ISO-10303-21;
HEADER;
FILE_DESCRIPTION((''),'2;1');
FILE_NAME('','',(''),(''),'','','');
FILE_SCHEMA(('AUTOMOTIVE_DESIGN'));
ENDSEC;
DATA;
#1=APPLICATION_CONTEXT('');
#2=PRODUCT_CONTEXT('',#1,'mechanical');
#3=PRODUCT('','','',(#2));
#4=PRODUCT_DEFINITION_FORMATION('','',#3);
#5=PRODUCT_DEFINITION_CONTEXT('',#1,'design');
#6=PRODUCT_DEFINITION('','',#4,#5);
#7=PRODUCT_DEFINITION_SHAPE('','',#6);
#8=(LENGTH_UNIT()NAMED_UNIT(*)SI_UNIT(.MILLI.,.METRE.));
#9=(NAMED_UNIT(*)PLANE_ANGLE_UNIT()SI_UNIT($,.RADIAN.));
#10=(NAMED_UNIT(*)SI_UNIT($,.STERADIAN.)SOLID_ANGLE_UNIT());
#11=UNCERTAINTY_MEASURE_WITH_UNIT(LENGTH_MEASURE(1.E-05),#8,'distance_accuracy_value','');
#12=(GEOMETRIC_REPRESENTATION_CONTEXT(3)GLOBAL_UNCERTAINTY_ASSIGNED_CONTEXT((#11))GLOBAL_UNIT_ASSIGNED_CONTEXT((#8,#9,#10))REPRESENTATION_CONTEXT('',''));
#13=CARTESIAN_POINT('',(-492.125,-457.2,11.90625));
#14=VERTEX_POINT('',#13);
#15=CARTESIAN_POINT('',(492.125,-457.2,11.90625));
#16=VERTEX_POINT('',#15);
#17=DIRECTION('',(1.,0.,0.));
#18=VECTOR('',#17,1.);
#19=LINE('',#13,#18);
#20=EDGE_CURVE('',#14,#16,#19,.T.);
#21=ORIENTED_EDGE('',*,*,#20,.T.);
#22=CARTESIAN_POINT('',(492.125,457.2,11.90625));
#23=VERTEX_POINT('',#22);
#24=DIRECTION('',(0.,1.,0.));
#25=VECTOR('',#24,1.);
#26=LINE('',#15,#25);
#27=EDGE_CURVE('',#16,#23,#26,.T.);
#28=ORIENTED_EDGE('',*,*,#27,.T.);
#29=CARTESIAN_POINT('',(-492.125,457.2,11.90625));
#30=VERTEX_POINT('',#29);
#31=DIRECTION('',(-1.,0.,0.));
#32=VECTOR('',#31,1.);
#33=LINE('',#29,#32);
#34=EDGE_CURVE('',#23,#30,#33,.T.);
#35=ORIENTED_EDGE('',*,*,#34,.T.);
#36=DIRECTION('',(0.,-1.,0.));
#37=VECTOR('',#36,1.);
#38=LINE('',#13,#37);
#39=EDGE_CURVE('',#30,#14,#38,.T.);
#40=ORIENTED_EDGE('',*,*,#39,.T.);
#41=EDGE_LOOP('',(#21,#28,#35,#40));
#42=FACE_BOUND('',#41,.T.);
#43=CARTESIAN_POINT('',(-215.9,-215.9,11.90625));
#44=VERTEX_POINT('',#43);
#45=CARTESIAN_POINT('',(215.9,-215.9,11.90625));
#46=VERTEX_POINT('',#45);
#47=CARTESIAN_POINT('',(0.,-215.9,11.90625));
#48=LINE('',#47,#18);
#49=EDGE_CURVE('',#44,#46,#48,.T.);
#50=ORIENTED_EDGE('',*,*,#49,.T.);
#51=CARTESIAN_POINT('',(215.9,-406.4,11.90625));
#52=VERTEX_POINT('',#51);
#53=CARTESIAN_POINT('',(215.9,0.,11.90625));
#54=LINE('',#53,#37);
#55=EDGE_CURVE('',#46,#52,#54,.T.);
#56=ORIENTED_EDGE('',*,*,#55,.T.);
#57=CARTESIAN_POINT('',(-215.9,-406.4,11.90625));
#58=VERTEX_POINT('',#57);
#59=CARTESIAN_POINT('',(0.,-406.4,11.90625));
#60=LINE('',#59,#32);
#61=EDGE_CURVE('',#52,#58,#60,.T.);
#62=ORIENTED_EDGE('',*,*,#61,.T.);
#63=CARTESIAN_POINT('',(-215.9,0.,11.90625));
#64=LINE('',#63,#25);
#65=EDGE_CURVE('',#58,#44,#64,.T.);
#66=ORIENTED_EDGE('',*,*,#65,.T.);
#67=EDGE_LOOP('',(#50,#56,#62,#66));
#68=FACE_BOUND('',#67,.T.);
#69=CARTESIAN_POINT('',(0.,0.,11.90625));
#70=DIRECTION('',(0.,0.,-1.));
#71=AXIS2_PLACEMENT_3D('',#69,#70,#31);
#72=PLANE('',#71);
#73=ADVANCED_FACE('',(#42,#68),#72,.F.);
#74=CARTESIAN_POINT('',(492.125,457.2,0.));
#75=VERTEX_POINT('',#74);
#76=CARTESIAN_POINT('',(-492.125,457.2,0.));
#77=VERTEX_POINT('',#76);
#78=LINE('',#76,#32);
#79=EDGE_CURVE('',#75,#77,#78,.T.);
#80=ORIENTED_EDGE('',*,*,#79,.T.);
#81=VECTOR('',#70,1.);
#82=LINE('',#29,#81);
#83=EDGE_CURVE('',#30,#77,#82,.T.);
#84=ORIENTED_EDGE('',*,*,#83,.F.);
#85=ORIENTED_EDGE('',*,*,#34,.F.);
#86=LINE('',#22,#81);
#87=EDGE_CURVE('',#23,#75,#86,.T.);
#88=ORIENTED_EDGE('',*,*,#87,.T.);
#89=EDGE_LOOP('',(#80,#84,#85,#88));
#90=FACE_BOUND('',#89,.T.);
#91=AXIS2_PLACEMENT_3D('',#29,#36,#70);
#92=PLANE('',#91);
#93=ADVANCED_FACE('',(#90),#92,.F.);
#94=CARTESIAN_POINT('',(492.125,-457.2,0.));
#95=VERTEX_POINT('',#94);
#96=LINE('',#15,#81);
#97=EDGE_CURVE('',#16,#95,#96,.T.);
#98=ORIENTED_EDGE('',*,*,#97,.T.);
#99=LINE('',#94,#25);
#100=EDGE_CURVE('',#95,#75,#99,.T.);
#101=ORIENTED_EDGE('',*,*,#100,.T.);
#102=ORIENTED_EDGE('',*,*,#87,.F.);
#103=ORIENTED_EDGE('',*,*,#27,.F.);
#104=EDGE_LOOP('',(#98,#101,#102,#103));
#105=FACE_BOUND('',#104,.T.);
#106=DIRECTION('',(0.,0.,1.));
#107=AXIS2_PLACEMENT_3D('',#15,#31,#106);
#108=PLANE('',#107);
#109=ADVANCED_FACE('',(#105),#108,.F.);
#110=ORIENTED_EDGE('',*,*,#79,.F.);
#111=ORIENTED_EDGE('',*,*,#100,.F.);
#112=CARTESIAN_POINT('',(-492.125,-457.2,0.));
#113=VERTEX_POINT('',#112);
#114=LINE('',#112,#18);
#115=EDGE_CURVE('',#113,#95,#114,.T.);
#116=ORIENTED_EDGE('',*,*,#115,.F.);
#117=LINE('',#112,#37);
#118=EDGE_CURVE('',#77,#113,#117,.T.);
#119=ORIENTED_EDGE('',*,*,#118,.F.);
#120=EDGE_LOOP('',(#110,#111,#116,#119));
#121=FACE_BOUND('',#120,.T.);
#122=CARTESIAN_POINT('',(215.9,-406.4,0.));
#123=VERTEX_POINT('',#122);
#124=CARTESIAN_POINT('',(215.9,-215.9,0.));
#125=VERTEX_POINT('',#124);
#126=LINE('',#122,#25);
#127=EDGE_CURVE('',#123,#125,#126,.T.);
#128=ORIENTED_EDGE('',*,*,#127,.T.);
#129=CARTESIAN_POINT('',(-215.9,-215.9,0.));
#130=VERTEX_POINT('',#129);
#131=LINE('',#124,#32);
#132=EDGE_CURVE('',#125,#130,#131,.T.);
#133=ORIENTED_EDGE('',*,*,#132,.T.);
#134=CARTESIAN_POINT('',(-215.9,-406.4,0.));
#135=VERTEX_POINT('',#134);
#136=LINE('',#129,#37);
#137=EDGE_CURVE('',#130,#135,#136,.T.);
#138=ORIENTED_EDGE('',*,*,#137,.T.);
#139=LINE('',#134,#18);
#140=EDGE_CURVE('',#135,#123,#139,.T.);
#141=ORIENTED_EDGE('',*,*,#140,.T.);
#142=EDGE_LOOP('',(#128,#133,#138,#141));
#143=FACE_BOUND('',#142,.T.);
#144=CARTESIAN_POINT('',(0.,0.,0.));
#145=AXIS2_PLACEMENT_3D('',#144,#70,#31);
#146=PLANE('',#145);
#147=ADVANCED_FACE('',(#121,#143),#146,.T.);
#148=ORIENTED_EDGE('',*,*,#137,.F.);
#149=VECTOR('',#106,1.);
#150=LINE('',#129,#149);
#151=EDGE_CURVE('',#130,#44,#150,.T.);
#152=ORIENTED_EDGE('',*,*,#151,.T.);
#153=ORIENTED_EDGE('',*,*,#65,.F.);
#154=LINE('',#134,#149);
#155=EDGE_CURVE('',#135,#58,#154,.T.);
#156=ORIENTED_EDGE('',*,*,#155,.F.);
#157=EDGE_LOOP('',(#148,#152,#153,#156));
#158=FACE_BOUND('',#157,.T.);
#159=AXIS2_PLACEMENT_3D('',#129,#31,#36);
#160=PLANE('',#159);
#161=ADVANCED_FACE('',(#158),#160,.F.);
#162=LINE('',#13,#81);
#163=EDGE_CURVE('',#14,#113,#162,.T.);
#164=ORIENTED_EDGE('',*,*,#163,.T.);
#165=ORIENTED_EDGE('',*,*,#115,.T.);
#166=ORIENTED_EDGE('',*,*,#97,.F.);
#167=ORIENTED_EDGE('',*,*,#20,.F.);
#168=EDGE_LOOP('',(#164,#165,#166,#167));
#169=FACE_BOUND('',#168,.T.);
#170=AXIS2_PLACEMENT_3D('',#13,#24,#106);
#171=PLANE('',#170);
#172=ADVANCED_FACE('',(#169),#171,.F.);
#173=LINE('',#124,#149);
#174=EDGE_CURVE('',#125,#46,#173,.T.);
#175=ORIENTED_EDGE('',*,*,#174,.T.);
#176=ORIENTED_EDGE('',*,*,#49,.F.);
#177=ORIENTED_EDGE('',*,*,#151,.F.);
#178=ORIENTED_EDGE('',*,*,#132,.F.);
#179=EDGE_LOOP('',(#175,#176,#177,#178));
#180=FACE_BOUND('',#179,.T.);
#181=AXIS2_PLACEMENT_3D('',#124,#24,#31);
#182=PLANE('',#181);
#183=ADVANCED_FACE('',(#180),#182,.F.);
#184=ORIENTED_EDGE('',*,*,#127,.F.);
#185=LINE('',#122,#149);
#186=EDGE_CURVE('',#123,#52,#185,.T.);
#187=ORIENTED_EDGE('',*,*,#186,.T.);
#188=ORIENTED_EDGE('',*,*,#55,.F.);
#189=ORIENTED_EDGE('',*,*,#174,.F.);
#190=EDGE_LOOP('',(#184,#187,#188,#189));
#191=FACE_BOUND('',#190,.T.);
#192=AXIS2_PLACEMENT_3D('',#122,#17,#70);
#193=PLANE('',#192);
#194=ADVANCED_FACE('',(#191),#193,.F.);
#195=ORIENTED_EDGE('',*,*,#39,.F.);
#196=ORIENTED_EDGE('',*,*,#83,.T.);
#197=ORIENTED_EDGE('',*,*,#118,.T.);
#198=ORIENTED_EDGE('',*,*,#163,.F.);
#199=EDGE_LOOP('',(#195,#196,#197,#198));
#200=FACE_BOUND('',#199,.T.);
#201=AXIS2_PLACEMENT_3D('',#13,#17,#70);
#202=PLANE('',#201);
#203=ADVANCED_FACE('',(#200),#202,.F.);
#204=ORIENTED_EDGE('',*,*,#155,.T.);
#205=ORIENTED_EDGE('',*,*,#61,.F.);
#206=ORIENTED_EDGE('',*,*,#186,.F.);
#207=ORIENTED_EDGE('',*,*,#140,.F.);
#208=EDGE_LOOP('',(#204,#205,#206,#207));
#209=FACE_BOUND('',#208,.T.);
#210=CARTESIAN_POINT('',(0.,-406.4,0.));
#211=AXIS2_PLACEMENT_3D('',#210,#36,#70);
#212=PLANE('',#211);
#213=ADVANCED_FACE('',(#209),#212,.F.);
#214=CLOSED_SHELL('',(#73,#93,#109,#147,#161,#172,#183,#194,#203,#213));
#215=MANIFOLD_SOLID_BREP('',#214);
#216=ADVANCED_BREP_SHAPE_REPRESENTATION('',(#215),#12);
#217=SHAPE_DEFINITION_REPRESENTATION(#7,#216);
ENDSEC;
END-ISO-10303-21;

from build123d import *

# Parameters (mm, degrees)
SKETCH1_W               = 984.25
SKETCH1_H               = 914.4
BOSS_EXTRUDE1_DEPTH     = 11.90625
CUT_EXTRUDE1_DEPTH      = 1
CUT_EXTRUDE1_DEPTH_BACK = 12.90625


with BuildPart() as part:
    # Sketch1 → Boss-Extrude1 (new body)
    with BuildSketch(Plane.XY):
        Rectangle(SKETCH1_W, SKETCH1_H)
    extrude(amount=BOSS_EXTRUDE1_DEPTH)

    # Sketch3 → Cut-Extrude1 (cut, two sides)
    with BuildSketch(Plane.XY.offset(11.90625)) as cut_extrude1_sk:
        Polygon((0, -406.4), (215.9, -406.4), (215.9, -215.9), (-215.9, -215.9), (-215.9, -406.4), align=None)
    extrude(amount=CUT_EXTRUDE1_DEPTH, mode=Mode.SUBTRACT)
    extrude(cut_extrude1_sk.sketch, amount=-CUT_EXTRUDE1_DEPTH_BACK, mode=Mode.SUBTRACT)


solid = part.part
